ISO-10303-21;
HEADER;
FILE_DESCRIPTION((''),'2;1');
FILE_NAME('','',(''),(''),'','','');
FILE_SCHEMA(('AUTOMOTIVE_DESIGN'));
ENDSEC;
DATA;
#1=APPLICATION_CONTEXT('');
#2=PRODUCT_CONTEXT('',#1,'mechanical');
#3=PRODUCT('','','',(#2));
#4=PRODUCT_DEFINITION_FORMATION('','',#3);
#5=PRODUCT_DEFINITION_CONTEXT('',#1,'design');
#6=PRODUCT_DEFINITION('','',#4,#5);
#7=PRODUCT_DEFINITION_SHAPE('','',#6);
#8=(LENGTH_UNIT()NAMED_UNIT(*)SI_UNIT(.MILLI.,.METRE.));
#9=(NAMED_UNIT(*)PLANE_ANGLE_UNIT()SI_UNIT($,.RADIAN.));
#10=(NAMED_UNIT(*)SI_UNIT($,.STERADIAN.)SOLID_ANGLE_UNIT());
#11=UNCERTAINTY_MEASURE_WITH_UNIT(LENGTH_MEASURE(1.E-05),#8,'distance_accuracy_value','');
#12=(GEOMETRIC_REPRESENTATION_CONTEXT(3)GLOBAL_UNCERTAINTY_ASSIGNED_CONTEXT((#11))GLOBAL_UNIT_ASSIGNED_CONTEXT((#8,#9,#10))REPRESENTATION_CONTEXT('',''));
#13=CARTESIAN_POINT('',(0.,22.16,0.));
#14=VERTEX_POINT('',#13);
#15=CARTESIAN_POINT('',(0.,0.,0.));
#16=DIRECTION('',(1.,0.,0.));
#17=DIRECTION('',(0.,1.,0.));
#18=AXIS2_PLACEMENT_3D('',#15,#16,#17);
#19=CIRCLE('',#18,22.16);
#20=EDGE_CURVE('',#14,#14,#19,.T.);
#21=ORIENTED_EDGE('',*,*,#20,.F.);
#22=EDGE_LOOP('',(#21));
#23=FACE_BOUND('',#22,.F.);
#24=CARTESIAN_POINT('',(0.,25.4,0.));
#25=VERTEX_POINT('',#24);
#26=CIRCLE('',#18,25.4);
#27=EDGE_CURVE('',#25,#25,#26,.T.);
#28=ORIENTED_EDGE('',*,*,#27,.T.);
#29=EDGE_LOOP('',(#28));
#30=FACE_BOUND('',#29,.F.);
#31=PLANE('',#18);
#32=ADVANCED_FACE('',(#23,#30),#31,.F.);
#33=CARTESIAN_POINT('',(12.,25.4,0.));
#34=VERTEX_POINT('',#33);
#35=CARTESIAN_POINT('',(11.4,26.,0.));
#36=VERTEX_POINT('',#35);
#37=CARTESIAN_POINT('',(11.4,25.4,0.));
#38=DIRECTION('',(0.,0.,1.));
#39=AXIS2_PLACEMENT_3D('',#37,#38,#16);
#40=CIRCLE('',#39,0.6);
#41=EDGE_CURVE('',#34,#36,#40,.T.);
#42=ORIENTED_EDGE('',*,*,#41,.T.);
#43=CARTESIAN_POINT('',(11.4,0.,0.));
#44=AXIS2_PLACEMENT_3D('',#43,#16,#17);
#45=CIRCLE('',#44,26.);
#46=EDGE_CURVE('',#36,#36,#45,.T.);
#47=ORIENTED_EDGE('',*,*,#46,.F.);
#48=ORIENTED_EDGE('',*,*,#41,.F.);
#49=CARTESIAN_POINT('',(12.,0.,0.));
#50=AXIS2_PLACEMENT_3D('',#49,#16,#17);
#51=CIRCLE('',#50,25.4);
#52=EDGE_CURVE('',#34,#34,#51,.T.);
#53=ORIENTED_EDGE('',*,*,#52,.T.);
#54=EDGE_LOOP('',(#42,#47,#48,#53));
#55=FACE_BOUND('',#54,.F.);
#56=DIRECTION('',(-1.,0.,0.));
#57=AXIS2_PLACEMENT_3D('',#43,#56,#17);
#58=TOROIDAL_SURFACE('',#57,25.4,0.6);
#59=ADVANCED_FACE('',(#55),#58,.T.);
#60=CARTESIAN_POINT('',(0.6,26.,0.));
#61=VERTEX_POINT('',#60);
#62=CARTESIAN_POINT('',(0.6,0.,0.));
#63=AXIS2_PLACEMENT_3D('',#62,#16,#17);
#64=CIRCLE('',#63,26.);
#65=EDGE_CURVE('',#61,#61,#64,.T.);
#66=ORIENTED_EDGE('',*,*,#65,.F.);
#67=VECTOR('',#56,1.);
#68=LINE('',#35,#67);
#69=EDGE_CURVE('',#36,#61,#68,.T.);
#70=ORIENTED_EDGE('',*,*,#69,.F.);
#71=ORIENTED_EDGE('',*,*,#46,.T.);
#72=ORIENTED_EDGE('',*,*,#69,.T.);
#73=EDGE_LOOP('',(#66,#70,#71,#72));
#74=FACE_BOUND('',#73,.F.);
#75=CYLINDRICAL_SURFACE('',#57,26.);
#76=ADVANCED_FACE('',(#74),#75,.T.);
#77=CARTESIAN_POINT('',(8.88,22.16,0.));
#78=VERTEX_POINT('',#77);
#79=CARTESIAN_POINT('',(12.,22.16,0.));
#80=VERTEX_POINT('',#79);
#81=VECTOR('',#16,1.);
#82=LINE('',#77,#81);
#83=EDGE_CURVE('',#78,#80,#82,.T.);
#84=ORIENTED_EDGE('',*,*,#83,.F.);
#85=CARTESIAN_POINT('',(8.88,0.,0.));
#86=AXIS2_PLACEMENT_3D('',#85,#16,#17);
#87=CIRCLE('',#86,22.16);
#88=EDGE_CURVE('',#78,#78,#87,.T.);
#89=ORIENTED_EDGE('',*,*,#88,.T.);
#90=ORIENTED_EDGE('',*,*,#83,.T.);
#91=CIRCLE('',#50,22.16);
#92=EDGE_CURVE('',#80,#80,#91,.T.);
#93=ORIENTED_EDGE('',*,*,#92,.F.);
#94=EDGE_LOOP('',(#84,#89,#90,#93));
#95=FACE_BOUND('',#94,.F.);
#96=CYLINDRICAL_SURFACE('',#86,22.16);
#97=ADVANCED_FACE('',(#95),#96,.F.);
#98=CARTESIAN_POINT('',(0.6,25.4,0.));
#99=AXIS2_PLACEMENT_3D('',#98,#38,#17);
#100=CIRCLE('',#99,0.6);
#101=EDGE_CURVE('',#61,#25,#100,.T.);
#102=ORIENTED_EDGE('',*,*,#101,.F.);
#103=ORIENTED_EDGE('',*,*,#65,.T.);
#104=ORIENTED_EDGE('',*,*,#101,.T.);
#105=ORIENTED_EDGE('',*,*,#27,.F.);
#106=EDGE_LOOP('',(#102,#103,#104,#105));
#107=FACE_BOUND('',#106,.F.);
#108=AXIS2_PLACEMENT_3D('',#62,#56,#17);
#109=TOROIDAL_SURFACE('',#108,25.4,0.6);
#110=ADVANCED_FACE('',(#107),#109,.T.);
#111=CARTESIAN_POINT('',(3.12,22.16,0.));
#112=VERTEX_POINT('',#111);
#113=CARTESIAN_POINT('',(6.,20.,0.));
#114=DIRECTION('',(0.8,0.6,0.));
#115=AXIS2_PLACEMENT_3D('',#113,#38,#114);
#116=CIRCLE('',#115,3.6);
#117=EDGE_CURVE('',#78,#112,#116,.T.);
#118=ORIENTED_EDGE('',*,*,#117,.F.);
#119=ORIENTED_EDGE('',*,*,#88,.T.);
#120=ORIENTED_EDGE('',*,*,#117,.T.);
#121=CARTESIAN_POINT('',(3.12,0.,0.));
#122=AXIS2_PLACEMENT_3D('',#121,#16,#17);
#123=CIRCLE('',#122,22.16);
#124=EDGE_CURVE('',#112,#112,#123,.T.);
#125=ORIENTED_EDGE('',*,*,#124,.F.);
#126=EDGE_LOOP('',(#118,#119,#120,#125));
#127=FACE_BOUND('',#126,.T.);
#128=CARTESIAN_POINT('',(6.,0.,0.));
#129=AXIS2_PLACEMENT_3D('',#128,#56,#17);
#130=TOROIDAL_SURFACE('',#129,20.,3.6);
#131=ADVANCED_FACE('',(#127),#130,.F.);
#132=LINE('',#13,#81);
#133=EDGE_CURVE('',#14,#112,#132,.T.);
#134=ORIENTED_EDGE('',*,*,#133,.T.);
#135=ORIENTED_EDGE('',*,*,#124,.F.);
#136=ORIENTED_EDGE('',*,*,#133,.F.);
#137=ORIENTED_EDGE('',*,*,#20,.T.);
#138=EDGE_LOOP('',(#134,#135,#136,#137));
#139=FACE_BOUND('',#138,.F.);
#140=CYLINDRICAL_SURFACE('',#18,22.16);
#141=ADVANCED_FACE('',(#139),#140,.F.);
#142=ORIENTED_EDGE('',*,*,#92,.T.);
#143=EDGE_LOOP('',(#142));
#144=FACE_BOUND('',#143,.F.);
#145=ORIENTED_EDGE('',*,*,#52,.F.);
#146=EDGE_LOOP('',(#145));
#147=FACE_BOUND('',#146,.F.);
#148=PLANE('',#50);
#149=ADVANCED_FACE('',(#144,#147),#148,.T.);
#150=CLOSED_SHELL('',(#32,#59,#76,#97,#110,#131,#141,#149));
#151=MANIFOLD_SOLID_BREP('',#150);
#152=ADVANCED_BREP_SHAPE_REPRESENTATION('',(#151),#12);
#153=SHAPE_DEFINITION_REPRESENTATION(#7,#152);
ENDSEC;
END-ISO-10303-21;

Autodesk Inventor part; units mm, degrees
sketch "Sketch_1" plane through (0, 0, 0) normal (0, 0, 1) x (1, 0, 0)
  line L0 (12, 0) -> (0, 0)
  line L1 (0, 22.16) -> (3.12, 22.16)
  arc A0 (8.88, 22.16) -> (3.12, 22.16) centre (6, 20) ccw
  line L2 (8.88, 22.16) -> (12, 22.16)
  line L3 (12, 22.16) -> (12, 25.4)
  arc A1 (12, 25.4) -> (11.4, 26) centre (11.4, 25.4) ccw
  line L4 (11.4, 26) -> (0.6, 26)
  arc A2 (0.6, 26) -> (0, 25.4) centre (0.6, 25.4) ccw
  line L5 (0, 25.4) -> (0, 22.16)
revolve "Revolution1" add sketch "Sketch_1" angle 360 about axis through (12, 0, 0) along (1, 0, 0)
ref_plane "dgbb_or_XY" through (0, 0, 0) normal (1, 0, 0) x (0, 0, -1)
ref_plane "dgbb_or_YZ" through (0, 0, 0) normal (0, 0, -1) x (0, 1, 0)
ref_plane "dgbb_or_ZX" through (0, 0, 0) normal (0, 1, 0) x (1, 0, 0)
ref_plane "dgbb_or1_XY" through (12, 0, 0) normal (1, 0, 0) x (0, 0, -1)
ref_plane "dgbb_or1_YZ" through (12, 0, 0) normal (0, 0, -1) x (0, 1, 0)
ref_plane "dgbb_or1_ZX" through (12, 0, 0) normal (0, 1, 0) x (1, 0, 0)
ref_plane "dgbb_or11_1_XY" through (6, 20, 0) normal (1, 0, 0) x (0, 0, -1)
ref_plane "dgbb_or11_1_YZ" through (6, 20, 0) normal (0, 0, -1) x (0, 1, 0)
ref_plane "dgbb_or11_1_ZX" through (6, 20, 0) normal (0, 1, 0) x (1, 0, 0)
ref_plane "dgbb_or11_10_XY" through (6, 16.1803, -11.7557) normal (1, 0, 0) x (0, 0, -1)
ref_plane "dgbb_or11_10_YZ" through (6, 16.1803, -11.7557) normal (0, 0, -1) x (0, 1, 0)
ref_plane "dgbb_or11_10_ZX" through (6, 16.1803, -11.7557) normal (0, 1, 0) x (1, 0, 0)
ref_plane "dgbb_or11_2_XY" through (6, 16.1803, 11.7557) normal (1, 0, 0) x (0, 0, -1)
ref_plane "dgbb_or11_2_YZ" through (6, 16.1803, 11.7557) normal (0, 0, -1) x (0, 1, 0)
ref_plane "dgbb_or11_2_ZX" through (6, 16.1803, 11.7557) normal (0, 1, 0) x (1, 0, 0)
ref_plane "dgbb_or11_3_XY" through (6, 6.1803, 19.0211) normal (1, 0, 0) x (0, 0, -1)
ref_plane "dgbb_or11_3_YZ" through (6, 6.1803, 19.0211) normal (0, 0, -1) x (0, 1, 0)
ref_plane "dgbb_or11_3_ZX" through (6, 6.1803, 19.0211) normal (0, 1, 0) x (1, 0, 0)
ref_plane "dgbb_or11_4_XY" through (6, -6.1803, 19.0211) normal (1, 0, 0) x (0, 0, -1)
ref_plane "dgbb_or11_4_YZ" through (6, -6.1803, 19.0211) normal (0, 0, -1) x (0, 1, 0)
ref_plane "dgbb_or11_4_ZX" through (6, -6.1803, 19.0211) normal (0, 1, 0) x (1, 0, 0)
ref_plane "dgbb_or11_5_XY" through (6, -16.1803, 11.7557) normal (1, 0, 0) x (0, 0, -1)
ref_plane "dgbb_or11_5_YZ" through (6, -16.1803, 11.7557) normal (0, 0, -1) x (0, 1, 0)
ref_plane "dgbb_or11_5_ZX" through (6, -16.1803, 11.7557) normal (0, 1, 0) x (1, 0, 0)
ref_plane "dgbb_or11_6_XY" through (6, -20, 0) normal (1, 0, 0) x (0, 0, -1)
ref_plane "dgbb_or11_6_YZ" through (6, -20, 0) normal (0, 0, -1) x (0, 1, 0)
ref_plane "dgbb_or11_6_ZX" through (6, -20, 0) normal (0, 1, 0) x (1, 0, 0)
ref_plane "dgbb_or11_7_XY" through (6, -16.1803, -11.7557) normal (1, 0, 0) x (0, 0, -1)
ref_plane "dgbb_or11_7_YZ" through (6, -16.1803, -11.7557) normal (0, 0, -1) x (0, 1, 0)
ref_plane "dgbb_or11_7_ZX" through (6, -16.1803, -11.7557) normal (0, 1, 0) x (1, 0, 0)
ref_plane "dgbb_or11_8_XY" through (6, -6.1803, -19.0211) normal (1, 0, 0) x (0, 0, -1)
ref_plane "dgbb_or11_8_YZ" through (6, -6.1803, -19.0211) normal (0, 0, -1) x (0, 1, 0)
ref_plane "dgbb_or11_8_ZX" through (6, -6.1803, -19.0211) normal (0, 1, 0) x (1, 0, 0)
ref_plane "dgbb_or11_9_XY" through (6, 6.1803, -19.0211) normal (1, 0, 0) x (0, 0, -1)
ref_plane "dgbb_or11_9_YZ" through (6, 6.1803, -19.0211) normal (0, 0, -1) x (0, 1, 0)
ref_plane "dgbb_or11_9_ZX" through (6, 6.1803, -19.0211) normal (0, 1, 0) x (1, 0, 0)
properties part number "60/28 Outer Ring"
